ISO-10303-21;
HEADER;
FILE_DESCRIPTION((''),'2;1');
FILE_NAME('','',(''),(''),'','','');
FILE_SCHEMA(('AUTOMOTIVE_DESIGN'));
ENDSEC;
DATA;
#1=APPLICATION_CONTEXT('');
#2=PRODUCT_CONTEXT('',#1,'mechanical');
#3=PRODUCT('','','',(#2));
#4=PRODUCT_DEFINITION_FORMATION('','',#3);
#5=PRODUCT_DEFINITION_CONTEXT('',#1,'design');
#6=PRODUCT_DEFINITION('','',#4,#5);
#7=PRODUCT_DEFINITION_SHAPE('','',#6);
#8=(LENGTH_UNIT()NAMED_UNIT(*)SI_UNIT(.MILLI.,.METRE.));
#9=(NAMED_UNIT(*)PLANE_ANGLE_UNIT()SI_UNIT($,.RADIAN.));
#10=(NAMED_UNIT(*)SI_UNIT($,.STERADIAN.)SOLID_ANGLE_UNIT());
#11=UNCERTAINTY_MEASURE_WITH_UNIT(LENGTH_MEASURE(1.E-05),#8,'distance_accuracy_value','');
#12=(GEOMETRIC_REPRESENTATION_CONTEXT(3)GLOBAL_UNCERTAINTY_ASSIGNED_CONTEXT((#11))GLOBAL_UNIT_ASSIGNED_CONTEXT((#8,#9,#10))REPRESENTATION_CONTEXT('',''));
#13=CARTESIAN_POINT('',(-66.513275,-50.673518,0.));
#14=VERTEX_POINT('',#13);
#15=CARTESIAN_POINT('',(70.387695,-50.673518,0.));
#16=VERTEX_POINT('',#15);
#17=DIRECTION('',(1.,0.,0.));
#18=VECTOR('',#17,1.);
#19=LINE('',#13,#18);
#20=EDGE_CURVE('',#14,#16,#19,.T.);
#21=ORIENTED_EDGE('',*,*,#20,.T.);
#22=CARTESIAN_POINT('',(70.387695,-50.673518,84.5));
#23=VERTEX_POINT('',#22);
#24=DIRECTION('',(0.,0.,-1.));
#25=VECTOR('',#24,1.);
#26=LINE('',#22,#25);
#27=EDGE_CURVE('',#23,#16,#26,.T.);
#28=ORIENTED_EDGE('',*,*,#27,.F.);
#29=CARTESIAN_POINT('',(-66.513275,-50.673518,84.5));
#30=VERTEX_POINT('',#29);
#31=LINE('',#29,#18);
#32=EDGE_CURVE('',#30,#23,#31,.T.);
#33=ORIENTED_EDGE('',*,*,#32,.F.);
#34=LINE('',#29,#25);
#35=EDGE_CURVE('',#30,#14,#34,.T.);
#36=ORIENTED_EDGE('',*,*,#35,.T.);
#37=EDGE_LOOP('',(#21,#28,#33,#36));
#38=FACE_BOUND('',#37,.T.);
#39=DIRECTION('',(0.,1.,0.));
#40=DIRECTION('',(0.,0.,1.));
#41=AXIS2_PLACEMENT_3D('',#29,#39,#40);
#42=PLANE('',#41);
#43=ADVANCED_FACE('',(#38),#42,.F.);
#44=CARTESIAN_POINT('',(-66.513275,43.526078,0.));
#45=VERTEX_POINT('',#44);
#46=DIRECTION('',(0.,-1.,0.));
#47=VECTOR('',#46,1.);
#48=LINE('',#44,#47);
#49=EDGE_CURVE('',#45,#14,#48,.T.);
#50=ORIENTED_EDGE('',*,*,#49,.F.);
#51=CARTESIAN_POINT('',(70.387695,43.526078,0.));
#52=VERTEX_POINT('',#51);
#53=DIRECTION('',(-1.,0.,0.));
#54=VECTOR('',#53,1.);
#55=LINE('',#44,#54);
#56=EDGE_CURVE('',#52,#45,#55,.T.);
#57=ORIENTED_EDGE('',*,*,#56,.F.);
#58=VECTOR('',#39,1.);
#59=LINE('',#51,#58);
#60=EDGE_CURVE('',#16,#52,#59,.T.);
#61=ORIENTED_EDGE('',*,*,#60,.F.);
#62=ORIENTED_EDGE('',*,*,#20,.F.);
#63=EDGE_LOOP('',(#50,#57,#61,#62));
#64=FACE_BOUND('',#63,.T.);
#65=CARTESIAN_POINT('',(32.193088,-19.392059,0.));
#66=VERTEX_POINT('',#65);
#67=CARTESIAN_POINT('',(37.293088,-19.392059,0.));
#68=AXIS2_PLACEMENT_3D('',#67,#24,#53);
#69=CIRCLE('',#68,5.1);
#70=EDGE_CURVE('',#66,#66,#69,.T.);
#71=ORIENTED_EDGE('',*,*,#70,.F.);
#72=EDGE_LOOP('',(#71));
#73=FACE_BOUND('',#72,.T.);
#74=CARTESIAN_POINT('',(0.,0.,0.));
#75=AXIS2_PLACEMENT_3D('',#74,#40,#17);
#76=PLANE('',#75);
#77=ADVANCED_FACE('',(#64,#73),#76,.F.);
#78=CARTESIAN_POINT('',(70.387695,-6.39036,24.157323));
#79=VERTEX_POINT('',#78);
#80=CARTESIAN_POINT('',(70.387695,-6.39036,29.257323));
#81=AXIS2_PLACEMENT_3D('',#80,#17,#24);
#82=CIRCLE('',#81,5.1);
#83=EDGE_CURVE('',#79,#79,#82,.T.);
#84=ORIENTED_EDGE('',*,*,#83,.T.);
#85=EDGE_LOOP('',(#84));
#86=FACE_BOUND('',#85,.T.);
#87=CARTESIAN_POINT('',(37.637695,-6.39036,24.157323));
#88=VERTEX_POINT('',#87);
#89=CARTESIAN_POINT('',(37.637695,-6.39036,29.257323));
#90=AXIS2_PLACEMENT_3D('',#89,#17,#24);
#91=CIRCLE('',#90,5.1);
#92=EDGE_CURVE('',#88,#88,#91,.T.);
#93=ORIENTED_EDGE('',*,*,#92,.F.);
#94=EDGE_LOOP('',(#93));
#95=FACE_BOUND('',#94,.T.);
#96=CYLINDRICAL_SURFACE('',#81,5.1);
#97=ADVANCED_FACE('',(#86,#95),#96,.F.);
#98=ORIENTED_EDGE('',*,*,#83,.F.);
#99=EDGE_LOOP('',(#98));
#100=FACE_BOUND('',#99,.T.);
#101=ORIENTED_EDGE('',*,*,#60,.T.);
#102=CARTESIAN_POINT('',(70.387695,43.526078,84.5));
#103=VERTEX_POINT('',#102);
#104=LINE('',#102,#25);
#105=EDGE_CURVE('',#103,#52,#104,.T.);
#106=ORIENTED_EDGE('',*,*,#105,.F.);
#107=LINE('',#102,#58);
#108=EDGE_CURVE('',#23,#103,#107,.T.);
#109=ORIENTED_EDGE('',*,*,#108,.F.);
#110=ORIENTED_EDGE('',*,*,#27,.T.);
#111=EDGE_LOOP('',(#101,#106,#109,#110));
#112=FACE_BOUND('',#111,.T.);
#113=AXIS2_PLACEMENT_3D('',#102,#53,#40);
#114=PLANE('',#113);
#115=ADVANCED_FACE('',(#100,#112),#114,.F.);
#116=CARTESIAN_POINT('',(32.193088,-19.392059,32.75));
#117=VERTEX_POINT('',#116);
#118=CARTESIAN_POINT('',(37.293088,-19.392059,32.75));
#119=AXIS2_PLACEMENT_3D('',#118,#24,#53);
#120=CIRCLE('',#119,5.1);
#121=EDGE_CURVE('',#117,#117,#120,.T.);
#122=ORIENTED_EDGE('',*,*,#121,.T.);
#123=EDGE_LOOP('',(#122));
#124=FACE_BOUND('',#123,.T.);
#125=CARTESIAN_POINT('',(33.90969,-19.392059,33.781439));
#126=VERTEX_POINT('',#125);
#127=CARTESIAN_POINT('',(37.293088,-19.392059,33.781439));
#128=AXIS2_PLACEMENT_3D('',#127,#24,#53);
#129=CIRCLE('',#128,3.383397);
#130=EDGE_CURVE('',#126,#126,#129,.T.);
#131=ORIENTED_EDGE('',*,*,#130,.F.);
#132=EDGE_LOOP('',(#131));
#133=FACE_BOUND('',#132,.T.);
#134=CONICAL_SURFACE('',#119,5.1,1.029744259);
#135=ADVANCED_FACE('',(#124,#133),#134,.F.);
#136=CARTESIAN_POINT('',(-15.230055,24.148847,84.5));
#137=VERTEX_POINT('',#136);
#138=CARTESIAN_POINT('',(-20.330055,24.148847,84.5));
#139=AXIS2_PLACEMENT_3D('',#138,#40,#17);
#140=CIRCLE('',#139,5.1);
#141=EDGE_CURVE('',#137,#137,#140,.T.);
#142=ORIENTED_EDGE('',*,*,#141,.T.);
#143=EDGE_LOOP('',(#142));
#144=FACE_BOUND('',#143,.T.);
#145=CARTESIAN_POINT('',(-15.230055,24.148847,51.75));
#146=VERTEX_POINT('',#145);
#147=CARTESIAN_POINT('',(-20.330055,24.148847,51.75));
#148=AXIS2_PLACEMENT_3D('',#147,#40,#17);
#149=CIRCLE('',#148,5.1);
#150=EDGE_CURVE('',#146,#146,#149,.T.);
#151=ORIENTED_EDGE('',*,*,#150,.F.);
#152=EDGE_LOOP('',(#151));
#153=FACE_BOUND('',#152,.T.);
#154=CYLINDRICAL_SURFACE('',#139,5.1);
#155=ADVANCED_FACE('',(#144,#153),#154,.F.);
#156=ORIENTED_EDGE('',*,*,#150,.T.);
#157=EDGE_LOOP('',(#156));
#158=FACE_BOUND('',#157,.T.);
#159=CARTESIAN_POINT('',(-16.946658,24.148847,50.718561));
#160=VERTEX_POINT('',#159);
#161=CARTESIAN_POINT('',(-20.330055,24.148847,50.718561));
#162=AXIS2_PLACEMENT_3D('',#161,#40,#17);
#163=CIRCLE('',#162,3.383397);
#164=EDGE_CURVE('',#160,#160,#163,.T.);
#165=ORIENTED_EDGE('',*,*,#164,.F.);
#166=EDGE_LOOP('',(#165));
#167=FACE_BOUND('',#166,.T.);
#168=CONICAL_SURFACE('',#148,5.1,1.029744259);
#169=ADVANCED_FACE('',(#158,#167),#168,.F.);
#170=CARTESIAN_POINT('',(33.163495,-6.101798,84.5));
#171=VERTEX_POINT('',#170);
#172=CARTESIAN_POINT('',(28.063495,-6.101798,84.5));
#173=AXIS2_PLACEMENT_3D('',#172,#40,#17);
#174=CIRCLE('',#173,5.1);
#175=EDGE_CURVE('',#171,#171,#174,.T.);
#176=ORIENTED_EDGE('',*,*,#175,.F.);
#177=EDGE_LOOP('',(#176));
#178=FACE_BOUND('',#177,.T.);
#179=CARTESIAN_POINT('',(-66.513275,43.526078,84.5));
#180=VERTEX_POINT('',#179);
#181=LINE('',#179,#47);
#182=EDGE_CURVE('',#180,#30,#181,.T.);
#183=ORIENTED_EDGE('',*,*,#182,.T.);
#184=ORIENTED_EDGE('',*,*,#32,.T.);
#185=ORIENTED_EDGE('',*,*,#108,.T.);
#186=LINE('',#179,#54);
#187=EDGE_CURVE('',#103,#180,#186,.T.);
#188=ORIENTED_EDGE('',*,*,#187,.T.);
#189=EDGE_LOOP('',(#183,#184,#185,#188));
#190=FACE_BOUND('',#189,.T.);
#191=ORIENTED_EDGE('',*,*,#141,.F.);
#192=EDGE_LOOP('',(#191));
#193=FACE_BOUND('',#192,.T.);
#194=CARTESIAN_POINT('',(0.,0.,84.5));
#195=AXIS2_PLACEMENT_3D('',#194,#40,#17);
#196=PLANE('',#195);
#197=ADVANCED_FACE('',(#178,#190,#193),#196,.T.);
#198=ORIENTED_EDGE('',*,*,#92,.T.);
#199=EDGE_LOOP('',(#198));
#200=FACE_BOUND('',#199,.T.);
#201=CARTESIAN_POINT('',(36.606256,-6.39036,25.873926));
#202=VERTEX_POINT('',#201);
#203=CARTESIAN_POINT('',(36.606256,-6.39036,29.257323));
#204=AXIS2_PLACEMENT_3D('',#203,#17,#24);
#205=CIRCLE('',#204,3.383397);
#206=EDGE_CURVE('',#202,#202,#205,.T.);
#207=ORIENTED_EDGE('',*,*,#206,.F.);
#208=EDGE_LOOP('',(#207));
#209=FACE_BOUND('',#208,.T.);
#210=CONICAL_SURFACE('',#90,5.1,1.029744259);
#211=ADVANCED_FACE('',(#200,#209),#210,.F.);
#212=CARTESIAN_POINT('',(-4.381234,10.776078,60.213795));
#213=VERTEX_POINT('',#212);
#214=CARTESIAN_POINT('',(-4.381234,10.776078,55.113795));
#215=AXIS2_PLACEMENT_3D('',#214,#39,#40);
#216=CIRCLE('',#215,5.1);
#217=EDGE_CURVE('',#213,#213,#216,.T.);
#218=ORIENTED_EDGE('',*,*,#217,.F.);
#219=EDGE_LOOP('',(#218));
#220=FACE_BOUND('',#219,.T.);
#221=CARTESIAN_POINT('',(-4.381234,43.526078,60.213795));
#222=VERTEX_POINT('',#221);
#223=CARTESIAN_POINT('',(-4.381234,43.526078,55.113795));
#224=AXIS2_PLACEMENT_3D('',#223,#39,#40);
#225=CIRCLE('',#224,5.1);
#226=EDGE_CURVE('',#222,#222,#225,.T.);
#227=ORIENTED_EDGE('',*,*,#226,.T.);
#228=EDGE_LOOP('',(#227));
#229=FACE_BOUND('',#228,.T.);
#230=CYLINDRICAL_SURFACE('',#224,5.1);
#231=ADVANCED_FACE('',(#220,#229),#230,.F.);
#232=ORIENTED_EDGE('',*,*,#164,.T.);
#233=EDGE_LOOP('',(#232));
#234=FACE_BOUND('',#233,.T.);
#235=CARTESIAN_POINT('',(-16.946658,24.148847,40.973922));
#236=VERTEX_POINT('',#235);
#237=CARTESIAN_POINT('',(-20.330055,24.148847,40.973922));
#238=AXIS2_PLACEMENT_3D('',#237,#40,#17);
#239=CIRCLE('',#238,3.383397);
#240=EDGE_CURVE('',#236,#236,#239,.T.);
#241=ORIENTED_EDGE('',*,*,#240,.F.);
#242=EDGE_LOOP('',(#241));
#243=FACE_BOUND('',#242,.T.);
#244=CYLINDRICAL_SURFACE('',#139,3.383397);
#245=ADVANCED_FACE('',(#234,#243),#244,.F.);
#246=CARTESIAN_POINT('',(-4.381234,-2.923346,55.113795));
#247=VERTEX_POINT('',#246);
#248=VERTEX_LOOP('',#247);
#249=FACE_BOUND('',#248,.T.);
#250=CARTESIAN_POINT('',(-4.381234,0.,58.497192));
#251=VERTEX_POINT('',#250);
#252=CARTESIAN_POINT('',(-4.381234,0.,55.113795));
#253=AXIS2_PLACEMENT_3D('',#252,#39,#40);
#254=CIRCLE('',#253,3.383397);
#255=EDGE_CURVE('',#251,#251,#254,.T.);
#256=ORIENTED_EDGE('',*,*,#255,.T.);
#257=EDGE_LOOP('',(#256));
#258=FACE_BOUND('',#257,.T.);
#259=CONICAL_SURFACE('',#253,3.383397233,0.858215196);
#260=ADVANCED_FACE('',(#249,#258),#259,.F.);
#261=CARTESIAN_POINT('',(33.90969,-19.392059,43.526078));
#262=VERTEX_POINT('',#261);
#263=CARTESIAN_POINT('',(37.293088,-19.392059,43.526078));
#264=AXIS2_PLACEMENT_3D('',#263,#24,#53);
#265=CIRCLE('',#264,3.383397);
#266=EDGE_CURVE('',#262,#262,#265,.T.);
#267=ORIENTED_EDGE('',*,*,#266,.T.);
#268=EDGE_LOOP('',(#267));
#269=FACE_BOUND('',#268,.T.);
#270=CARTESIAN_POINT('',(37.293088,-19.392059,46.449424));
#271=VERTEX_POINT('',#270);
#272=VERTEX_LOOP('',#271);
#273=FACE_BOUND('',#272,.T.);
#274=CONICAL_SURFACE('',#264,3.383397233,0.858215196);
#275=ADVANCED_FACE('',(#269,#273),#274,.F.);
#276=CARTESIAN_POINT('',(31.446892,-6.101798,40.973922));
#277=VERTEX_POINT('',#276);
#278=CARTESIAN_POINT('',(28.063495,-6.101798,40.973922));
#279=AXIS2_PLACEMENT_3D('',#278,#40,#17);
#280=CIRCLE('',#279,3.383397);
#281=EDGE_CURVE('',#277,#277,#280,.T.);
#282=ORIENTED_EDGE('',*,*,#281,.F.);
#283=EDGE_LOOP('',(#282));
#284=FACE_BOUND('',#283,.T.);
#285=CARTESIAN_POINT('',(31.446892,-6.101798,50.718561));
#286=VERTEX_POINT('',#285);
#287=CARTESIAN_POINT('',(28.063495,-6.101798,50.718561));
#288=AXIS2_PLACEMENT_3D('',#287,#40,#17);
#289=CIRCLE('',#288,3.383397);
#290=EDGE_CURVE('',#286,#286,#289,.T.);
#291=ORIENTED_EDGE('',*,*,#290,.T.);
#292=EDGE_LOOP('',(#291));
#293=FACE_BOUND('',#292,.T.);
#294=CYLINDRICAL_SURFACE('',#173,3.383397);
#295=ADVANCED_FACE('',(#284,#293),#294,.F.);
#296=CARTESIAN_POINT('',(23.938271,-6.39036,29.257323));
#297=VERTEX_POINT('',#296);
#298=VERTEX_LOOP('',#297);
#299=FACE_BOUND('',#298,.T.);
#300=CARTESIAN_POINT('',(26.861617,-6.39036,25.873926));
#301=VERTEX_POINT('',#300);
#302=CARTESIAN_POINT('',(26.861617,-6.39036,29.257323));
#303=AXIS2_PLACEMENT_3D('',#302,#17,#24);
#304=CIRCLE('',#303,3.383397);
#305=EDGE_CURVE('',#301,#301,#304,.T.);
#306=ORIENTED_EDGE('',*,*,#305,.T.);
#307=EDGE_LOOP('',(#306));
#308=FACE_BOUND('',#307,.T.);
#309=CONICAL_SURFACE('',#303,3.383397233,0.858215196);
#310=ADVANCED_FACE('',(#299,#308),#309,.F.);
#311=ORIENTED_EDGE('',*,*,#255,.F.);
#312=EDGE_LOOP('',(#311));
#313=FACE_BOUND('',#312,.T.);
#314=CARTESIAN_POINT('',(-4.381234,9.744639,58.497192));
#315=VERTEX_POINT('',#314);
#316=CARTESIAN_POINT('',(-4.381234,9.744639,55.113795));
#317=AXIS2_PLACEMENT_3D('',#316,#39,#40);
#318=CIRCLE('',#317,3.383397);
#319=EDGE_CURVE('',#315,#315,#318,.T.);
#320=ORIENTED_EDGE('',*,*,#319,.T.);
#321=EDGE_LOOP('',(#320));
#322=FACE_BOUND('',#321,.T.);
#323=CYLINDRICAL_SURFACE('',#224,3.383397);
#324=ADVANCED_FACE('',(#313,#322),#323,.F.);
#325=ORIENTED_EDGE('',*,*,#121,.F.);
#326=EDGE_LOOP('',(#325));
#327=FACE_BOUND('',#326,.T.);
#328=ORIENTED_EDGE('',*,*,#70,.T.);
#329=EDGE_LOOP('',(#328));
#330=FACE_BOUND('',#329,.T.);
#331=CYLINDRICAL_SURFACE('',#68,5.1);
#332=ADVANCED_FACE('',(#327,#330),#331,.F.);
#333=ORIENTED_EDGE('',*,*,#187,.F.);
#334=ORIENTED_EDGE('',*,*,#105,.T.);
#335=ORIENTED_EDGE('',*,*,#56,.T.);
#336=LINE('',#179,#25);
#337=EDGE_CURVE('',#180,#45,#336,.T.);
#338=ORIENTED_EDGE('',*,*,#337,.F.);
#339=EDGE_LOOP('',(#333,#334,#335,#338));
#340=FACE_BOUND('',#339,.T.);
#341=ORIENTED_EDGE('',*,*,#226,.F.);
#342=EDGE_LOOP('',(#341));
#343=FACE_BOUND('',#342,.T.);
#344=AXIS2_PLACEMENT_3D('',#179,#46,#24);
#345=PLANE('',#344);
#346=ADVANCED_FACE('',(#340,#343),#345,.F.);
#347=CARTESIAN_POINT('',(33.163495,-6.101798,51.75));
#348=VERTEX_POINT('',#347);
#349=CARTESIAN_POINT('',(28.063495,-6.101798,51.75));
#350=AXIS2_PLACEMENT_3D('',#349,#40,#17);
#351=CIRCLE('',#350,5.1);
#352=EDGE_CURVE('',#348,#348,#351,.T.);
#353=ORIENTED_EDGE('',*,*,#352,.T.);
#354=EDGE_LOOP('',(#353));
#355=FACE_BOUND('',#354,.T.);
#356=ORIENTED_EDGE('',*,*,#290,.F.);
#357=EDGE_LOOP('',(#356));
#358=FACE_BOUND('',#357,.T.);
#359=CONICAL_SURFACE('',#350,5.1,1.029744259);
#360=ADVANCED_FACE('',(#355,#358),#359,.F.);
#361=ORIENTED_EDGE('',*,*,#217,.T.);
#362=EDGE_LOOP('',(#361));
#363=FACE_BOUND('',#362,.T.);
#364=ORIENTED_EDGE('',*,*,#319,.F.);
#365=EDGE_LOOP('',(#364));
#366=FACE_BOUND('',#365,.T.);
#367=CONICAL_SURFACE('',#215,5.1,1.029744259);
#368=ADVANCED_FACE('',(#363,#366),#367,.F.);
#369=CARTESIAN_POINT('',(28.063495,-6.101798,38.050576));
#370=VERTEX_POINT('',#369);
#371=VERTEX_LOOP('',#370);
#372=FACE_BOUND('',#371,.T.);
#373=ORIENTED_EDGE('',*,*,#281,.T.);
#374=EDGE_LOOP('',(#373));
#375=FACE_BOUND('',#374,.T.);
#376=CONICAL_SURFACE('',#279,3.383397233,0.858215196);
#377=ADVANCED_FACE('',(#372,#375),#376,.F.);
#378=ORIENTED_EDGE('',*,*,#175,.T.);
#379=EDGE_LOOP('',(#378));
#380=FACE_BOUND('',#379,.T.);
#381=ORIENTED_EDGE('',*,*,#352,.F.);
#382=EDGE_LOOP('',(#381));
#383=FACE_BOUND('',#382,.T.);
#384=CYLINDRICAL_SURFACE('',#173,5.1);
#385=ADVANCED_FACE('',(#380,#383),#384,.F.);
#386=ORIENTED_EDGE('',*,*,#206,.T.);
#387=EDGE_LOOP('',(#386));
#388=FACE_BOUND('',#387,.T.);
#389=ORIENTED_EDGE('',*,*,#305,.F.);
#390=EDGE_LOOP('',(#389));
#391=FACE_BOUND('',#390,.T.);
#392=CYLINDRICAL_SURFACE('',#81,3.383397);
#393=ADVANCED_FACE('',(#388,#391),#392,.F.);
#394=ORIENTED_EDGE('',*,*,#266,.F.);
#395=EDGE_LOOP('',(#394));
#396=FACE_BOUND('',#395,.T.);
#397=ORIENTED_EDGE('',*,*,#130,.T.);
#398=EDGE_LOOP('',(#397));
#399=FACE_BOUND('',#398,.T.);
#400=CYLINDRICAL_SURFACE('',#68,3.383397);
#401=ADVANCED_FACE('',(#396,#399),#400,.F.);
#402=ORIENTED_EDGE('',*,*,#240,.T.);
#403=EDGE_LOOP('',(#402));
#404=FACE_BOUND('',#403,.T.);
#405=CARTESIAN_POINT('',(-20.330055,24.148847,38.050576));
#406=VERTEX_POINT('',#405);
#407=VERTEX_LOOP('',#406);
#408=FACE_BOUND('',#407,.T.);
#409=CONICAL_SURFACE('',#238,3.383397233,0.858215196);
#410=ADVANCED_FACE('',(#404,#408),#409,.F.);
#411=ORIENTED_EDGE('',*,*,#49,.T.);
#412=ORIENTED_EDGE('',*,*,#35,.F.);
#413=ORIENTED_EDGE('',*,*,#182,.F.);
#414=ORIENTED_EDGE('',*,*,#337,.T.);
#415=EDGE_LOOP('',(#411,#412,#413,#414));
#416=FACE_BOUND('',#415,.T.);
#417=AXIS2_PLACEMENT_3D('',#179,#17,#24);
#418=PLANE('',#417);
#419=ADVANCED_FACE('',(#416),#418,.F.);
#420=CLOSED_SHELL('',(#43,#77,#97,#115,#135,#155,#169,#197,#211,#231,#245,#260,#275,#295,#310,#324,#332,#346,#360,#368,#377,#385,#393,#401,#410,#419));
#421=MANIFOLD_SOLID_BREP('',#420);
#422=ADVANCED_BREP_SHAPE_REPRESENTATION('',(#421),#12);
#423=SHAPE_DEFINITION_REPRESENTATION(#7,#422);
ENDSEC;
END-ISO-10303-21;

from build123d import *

# Parameters (mm, degrees)
SKETCH1_W      = 136.900969975
SKETCH1_H      = 94.199596476
EXTRUDE1_DEPTH = 84.5


with BuildPart() as part:
    # Sketch1 → Extrude1 (new body)
    with BuildSketch(Plane.XY):
        with Locations((1.93720992, -3.5737201)):
            Rectangle(SKETCH1_W, SKETCH1_H)
    extrude(amount=EXTRUDE1_DEPTH)

    # Sketch2 → M12 Tapped Hole1 (revolve, cut)
    with BuildSketch(Plane(origin=(-4.381234194, 43.526078138, 55.113795081), x_dir=(0, 0, 1), z_dir=(1, 0, 0))):
        Polygon((0, 0), (0, 35.814389157), (0, 46.449423676), (3.383397233, 43.526078138), (3.383397233, 33.781439001), (5.1, 32.75), (5.1, 0), align=None)
    revolve(axis=Axis((-4.381234194, 49.876078138, 55.113795081), (0, -1, 0)), mode=Mode.SUBTRACT)

    # Sketch2 at point 2 (carried to point 2, square into its face) → M12 Tapped Hole1 at 2 (revolve, cut)
    with BuildSketch(Plane(origin=(-20.330054758, 24.148847321, 84.5), x_dir=(0, -1, 0), z_dir=(1, 0, 0))):
        Polygon((0, 0), (0, 35.814389157), (0, 46.449423676), (3.383397233, 43.526078138), (3.383397233, 33.781439001), (5.1, 32.75), (5.1, 0), align=None)
    revolve(axis=Axis((-20.330054758, 24.148847321, 90.85), (0, 0, -1)), mode=Mode.SUBTRACT)

    # Sketch2 at point 3 (carried to point 3, square into its face) → M12 Tapped Hole1 at 3 (revolve, cut)
    with BuildSketch(Plane(origin=(28.063494867, -6.101798408, 84.5), x_dir=(0, -1, 0), z_dir=(1, 0, 0))):
        Polygon((0, 0), (0, 35.814389157), (0, 46.449423676), (3.383397233, 43.526078138), (3.383397233, 33.781439001), (5.1, 32.75), (5.1, 0), align=None)
    revolve(axis=Axis((28.063494867, -6.101798408, 90.85), (0, 0, -1)), mode=Mode.SUBTRACT)

    # Sketch2 at point 4 (carried to point 4, square into its face) → M12 Tapped Hole1 at 4 (revolve, cut)
    with BuildSketch(Plane(origin=(70.387694908, -6.390360142, 29.257323255), x_dir=(0, 0, 1), z_dir=(0, -1, 0))):
        Polygon((0, 0), (0, 35.814389157), (0, 46.449423676), (3.383397233, 43.526078138), (3.383397233, 33.781439001), (5.1, 32.75), (5.1, 0), align=None)
    revolve(axis=Axis((76.737694908, -6.390360142, 29.257323255), (-1, 0, 0)), mode=Mode.SUBTRACT)

    # Sketch2 at point 5 (carried to point 5, square into its face) → M12 Tapped Hole1 at 5 (revolve, cut)
    with BuildSketch(Plane(origin=(37.293087605, -19.39205915, 0), x_dir=(0, 1, 0), z_dir=(1, 0, 0))):
        Polygon((0, 0), (0, 35.814389157), (0, 46.449423676), (3.383397233, 43.526078138), (3.383397233, 33.781439001), (5.1, 32.75), (5.1, 0), align=None)
    revolve(axis=Axis((37.293087605, -19.39205915, -6.35), (0, 0, 1)), mode=Mode.SUBTRACT)


solid = part.part
